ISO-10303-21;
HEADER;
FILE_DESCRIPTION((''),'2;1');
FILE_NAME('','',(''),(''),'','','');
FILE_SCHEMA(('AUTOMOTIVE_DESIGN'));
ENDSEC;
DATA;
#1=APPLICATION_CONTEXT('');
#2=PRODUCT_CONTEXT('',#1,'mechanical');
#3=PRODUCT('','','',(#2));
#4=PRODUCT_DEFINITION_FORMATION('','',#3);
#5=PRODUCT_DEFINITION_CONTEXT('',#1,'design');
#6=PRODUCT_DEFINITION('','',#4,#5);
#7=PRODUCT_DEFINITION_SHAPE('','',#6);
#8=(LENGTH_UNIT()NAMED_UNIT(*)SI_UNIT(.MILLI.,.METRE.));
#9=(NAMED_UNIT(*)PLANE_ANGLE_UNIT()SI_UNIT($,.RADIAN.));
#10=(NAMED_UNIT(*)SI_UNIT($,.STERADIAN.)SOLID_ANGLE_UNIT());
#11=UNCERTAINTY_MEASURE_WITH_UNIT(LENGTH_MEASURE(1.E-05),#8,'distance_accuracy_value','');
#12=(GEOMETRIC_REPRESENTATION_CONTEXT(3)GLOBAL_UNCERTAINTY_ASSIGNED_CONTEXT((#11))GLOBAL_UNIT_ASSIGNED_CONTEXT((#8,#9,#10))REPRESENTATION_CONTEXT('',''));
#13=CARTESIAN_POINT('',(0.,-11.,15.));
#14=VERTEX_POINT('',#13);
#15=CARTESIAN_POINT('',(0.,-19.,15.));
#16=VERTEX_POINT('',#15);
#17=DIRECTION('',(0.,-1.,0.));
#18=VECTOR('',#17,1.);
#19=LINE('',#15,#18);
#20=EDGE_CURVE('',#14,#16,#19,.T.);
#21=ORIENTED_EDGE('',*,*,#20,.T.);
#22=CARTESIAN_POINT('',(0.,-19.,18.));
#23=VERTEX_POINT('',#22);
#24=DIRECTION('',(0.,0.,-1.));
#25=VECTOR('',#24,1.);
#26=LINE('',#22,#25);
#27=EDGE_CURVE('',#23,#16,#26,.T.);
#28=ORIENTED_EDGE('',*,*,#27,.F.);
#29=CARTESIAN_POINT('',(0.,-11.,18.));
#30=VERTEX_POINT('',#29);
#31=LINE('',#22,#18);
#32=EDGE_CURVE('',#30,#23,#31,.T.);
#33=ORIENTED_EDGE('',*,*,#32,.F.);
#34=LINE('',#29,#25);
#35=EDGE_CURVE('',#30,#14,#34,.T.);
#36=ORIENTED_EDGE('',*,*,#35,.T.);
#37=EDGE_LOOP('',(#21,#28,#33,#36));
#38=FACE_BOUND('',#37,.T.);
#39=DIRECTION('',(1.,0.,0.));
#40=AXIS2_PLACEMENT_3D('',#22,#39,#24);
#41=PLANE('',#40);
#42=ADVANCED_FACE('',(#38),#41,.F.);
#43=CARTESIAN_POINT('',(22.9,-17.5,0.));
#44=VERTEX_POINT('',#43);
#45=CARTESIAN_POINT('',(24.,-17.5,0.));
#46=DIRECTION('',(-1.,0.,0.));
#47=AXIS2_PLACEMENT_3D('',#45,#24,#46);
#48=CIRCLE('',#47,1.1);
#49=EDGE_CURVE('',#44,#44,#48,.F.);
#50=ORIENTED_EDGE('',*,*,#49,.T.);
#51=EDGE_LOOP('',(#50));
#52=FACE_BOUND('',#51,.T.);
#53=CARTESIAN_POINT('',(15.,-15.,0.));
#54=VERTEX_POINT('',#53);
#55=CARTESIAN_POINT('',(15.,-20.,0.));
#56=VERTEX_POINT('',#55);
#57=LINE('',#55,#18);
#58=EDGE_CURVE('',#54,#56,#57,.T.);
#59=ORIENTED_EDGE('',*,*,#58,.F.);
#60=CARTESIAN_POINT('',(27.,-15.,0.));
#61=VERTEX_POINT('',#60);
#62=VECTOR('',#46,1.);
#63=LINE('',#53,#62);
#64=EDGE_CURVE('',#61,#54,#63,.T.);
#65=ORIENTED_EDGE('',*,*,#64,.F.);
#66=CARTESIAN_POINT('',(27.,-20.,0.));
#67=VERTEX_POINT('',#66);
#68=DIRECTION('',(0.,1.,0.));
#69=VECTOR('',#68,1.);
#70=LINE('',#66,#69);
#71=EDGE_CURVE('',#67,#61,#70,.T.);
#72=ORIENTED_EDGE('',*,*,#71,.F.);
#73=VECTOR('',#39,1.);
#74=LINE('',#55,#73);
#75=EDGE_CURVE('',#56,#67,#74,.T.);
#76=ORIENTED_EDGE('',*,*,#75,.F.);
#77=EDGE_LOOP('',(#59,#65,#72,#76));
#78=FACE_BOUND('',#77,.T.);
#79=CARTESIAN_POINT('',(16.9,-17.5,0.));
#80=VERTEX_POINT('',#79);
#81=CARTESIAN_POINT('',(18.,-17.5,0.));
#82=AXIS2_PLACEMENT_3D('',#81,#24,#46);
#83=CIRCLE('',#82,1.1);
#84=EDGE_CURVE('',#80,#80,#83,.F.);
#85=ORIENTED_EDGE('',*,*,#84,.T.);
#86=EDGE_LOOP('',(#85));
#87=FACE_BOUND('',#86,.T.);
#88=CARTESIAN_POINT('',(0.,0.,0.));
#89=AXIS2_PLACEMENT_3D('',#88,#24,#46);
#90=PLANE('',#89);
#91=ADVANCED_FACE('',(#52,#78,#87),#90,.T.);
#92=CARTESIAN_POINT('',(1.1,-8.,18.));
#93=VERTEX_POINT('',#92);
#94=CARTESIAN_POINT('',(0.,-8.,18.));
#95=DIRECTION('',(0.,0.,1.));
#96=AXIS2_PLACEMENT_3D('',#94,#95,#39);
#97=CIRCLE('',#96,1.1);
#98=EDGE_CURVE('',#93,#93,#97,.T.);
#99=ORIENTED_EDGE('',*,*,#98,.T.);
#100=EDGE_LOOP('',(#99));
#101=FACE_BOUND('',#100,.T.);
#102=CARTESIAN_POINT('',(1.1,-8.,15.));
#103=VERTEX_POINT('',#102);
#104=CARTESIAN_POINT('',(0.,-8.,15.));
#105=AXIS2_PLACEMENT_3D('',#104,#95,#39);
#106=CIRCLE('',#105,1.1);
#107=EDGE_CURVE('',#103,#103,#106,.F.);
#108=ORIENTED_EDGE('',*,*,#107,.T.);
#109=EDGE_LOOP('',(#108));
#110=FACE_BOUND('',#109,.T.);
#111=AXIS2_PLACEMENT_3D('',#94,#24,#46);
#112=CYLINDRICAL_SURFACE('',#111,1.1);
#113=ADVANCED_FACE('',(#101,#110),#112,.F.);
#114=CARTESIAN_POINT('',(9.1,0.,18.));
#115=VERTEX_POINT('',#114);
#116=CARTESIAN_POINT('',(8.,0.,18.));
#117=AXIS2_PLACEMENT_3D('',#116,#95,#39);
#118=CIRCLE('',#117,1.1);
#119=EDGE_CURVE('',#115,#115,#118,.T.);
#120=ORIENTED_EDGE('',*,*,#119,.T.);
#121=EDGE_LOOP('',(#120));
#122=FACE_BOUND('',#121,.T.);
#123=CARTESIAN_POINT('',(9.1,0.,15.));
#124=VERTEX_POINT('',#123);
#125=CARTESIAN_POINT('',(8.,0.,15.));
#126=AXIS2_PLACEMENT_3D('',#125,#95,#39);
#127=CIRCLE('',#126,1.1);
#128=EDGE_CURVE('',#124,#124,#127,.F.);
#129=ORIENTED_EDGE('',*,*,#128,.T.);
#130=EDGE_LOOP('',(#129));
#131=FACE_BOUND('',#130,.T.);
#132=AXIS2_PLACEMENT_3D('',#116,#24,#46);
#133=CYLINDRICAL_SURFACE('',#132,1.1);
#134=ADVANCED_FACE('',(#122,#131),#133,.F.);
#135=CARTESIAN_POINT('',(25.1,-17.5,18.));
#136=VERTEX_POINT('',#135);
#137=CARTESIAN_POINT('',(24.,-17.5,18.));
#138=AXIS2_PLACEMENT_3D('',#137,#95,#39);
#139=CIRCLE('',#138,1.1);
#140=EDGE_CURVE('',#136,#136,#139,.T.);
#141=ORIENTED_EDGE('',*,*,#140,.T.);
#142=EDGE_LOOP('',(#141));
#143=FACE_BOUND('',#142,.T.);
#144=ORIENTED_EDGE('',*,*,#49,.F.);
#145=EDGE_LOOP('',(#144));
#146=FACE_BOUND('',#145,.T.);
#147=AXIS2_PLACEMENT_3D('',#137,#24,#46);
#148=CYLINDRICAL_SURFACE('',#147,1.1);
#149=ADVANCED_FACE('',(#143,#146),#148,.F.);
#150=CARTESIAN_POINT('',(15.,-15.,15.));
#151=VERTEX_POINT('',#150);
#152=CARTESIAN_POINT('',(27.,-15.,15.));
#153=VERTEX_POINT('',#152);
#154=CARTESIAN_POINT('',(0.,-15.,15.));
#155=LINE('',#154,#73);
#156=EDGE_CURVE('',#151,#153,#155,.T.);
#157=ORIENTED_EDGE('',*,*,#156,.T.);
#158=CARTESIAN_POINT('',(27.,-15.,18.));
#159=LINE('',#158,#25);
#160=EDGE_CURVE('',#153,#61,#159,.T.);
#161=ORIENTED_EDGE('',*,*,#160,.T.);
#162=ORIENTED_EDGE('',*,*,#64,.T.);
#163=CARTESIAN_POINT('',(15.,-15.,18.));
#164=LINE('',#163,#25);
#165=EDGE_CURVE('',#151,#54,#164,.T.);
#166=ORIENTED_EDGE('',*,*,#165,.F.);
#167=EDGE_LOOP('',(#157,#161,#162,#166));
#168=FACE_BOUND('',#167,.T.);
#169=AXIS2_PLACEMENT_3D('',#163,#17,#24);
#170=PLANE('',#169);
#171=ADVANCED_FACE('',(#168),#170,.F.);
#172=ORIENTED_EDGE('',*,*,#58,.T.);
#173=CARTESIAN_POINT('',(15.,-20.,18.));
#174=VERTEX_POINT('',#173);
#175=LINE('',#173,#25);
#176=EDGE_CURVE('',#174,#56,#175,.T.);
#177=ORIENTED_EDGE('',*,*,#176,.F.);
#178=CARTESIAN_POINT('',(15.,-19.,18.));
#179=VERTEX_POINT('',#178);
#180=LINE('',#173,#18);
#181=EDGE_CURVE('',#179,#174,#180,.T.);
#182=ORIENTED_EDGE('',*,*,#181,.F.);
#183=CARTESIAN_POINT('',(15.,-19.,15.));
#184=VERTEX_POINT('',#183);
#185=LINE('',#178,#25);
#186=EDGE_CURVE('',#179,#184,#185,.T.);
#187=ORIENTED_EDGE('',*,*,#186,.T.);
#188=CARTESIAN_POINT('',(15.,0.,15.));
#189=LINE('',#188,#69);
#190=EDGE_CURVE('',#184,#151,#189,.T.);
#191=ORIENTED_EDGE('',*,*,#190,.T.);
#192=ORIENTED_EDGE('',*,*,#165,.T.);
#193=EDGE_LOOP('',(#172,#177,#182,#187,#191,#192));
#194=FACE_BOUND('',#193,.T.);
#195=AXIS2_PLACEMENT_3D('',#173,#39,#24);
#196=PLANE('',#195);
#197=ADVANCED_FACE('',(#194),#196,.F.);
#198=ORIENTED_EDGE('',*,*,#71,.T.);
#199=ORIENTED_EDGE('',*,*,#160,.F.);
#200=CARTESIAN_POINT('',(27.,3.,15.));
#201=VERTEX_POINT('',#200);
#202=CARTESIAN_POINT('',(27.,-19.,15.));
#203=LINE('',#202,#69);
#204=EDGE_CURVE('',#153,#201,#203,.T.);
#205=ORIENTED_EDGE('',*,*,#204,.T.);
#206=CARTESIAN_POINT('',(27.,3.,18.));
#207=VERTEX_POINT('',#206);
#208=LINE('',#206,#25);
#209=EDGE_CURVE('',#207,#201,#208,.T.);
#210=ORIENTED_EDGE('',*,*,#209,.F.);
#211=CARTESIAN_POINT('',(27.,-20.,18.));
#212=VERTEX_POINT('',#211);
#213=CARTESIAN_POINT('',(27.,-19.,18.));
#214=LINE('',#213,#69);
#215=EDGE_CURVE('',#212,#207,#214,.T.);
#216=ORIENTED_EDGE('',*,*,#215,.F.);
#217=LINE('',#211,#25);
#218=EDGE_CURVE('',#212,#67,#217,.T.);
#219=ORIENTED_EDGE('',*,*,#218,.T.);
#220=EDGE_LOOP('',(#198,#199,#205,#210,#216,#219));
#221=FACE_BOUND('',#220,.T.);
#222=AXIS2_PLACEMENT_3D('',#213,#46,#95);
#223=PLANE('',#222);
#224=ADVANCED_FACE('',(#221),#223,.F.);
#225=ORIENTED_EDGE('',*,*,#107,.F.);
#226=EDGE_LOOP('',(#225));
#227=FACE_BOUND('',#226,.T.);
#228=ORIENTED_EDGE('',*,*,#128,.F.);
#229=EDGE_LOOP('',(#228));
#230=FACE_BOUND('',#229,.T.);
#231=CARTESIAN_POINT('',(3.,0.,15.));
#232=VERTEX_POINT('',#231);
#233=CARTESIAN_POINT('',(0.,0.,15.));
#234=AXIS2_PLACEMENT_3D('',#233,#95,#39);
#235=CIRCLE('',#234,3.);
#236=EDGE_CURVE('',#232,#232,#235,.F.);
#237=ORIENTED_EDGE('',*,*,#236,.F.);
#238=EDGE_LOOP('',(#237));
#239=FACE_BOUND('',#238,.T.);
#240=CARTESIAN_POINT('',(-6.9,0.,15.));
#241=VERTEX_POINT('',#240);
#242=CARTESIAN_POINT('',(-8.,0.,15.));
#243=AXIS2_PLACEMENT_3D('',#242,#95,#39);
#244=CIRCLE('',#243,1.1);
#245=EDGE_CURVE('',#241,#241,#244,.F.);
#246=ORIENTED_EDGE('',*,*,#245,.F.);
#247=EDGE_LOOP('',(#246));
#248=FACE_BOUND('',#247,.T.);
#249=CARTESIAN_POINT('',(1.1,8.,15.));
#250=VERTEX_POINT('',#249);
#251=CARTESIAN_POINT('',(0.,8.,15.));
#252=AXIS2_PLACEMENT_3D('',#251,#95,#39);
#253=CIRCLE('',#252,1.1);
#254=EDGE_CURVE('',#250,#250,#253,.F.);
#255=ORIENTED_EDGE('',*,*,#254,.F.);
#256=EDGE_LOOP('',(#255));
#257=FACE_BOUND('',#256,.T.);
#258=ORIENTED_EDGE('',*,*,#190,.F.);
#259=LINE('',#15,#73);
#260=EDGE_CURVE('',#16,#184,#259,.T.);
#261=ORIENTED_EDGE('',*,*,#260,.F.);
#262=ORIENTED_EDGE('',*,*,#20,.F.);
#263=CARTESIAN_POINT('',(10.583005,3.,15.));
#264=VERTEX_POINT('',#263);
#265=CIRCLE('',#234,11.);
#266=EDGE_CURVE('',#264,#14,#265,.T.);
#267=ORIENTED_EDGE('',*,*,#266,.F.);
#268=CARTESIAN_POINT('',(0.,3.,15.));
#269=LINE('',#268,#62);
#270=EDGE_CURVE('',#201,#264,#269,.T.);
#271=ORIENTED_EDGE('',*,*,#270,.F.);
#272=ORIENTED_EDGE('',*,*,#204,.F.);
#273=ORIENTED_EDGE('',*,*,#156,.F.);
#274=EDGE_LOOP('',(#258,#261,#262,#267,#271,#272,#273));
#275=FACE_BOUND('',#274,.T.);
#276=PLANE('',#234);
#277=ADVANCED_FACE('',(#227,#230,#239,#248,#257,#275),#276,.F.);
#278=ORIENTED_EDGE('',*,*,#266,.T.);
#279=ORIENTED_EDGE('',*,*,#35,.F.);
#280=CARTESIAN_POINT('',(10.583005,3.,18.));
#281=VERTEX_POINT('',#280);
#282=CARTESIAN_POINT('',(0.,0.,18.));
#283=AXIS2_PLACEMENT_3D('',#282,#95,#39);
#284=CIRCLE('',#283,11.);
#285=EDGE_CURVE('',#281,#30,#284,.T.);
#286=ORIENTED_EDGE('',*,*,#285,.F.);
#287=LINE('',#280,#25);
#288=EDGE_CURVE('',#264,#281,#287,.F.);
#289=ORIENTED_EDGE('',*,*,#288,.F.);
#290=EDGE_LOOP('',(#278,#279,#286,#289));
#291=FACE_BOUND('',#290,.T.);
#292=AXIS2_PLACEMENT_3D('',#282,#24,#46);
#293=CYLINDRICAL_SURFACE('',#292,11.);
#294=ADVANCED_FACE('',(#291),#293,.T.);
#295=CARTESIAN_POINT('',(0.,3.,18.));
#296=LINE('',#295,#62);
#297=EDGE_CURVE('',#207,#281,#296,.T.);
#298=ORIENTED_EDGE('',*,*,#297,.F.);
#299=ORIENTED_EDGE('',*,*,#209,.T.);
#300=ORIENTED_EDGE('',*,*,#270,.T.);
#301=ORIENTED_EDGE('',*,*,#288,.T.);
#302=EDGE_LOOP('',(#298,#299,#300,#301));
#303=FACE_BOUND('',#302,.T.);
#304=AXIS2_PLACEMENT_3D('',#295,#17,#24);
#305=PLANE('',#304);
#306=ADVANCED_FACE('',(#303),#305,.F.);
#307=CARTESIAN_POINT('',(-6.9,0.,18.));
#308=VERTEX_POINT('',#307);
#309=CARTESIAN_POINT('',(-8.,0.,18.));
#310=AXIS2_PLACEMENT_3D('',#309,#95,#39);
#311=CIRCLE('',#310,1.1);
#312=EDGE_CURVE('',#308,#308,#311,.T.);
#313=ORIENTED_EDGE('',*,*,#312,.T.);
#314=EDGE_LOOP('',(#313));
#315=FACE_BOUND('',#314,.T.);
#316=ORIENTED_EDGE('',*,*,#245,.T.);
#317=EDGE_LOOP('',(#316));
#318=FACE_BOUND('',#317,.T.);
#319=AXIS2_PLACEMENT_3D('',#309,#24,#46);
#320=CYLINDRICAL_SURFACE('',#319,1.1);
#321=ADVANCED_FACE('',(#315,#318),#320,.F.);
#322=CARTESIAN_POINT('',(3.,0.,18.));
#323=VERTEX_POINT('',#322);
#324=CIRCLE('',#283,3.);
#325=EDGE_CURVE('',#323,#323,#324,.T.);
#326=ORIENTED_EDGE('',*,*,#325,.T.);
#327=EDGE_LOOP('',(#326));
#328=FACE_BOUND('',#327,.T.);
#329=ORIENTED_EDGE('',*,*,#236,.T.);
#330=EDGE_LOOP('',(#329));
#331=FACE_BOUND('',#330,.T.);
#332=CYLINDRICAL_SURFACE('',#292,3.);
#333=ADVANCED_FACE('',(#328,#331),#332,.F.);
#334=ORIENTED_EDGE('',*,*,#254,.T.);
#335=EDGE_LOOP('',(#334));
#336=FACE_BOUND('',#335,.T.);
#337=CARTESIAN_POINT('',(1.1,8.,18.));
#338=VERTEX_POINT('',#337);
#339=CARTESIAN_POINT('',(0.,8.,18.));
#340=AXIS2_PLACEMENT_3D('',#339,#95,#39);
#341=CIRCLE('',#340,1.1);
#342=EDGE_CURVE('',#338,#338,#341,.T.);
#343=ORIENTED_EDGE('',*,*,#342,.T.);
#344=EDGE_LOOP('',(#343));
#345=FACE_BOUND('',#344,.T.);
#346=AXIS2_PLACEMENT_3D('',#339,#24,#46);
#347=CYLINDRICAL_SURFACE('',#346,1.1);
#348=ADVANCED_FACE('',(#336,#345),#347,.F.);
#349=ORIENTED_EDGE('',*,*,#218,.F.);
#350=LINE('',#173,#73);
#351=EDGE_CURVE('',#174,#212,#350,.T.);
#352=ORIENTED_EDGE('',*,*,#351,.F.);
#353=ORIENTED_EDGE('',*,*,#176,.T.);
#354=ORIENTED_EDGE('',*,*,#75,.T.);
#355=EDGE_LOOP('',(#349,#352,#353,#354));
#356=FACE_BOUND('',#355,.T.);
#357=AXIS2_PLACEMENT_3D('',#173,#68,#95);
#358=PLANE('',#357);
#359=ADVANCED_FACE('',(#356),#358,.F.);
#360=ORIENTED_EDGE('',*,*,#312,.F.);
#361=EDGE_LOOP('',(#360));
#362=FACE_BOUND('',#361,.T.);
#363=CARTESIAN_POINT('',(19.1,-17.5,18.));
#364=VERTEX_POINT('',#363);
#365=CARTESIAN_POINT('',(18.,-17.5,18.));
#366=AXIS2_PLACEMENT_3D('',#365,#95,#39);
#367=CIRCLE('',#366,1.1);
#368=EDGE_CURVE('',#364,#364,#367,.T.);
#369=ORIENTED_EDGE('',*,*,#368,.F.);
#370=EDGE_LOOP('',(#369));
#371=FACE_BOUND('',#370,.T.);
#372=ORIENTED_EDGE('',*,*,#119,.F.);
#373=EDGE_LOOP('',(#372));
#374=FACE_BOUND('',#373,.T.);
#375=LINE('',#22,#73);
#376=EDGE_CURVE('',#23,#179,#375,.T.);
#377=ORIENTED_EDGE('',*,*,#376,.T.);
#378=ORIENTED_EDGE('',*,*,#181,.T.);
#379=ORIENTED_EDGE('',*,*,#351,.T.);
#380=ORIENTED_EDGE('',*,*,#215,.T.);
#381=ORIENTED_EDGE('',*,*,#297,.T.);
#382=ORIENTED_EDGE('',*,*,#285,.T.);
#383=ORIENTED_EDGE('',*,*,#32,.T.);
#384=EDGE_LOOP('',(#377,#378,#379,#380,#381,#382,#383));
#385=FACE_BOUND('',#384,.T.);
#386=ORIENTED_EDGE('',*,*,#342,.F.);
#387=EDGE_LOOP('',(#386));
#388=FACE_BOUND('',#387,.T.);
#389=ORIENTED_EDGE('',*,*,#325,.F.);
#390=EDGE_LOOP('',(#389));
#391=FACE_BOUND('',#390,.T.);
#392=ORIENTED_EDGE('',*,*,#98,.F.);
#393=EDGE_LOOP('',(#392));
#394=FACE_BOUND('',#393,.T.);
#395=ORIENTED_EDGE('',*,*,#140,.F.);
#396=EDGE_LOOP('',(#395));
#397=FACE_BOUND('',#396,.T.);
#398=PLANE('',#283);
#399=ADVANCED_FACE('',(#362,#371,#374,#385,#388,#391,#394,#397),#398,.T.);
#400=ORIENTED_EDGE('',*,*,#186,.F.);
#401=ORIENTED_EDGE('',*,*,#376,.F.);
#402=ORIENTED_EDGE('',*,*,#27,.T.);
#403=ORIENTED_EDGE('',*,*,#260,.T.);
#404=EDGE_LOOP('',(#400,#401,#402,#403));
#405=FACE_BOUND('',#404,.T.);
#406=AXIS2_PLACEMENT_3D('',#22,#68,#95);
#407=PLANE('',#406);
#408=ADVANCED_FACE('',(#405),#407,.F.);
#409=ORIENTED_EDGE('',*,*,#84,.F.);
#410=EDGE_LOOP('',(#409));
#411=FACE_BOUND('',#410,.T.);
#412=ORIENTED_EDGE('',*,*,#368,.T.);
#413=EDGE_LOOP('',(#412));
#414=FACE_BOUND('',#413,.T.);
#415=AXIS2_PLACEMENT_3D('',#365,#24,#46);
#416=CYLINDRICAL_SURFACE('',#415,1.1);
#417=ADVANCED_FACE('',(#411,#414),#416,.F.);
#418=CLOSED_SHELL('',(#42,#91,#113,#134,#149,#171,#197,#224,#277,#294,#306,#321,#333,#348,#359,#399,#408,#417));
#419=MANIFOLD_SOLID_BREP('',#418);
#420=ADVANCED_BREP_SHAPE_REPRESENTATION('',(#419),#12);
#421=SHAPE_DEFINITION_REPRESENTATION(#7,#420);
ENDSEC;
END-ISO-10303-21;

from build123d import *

# Parameters (mm, degrees)
STOCK_HORN_ATTACHMENT_START         = 15
STOCK_HORN_ATTACHMENT_PROFILE_R     = 11
STOCK_HORN_ATTACHMENT_DEPTH         = 3
FINGER_ARM_START                    = 15
FINGER_ARM_PROFILE_W                = 27
FINGER_ARM_PROFILE_H                = 22
FINGER_ARM_DEPTH                    = 3
DESCENDING_CONTACT_FINGER_PROFILE_W = 12
DESCENDING_CONTACT_FINGER_PROFILE_H = 5
DESCENDING_CONTACT_FINGER_DEPTH     = 18
HORN_CENTER_ACCESS_START            = -50
HORN_CENTER_ACCESS_PROFILE_R        = 3
HORN_CENTER_ACCESS_DEPTH            = 89.118237105
HORN_SCREWS_START                   = -50
HORN_SCREWS_PROFILE_R               = 1.1
HORN_SCREWS_DEPTH                   = 89.118237105
CONTACT_PAD_KEEPER_START            = -50
CONTACT_PAD_KEEPER_PROFILE_R        = 1.1
CONTACT_PAD_KEEPER_DEPTH            = 89.118237105


with BuildPart() as part:
    # Stock_horn_attachment_profile → Stock_horn_attachment (new body)
    with BuildSketch(Plane.XY.offset(STOCK_HORN_ATTACHMENT_START)):
        Circle(STOCK_HORN_ATTACHMENT_PROFILE_R)
    extrude(amount=STOCK_HORN_ATTACHMENT_DEPTH)

    # Finger_arm_profile → Finger_arm (add)
    with BuildSketch(Plane.XY.offset(FINGER_ARM_START)):
        with Locations((13.5, -8)):
            Rectangle(FINGER_ARM_PROFILE_W, FINGER_ARM_PROFILE_H)
    extrude(amount=FINGER_ARM_DEPTH)

    # Descending_contact_finger_profile → Descending_contact_finger (add)
    with BuildSketch(Plane.XY):
        with Locations((21, -17.5)):
            Rectangle(DESCENDING_CONTACT_FINGER_PROFILE_W, DESCENDING_CONTACT_FINGER_PROFILE_H)
    extrude(amount=DESCENDING_CONTACT_FINGER_DEPTH)

    # Horn_center_access_profile → Horn_center_access (cut, through all)
    with BuildSketch(Plane.XY.offset(HORN_CENTER_ACCESS_START)):
        Circle(HORN_CENTER_ACCESS_PROFILE_R)
    extrude(amount=HORN_CENTER_ACCESS_DEPTH, mode=Mode.SUBTRACT)

    # Horn_screws_profile → Horn_screws (cut, through all)
    with BuildSketch(Plane.XY.offset(HORN_SCREWS_START)):
        with Locations((0, -8)):
            Circle(HORN_SCREWS_PROFILE_R)
        with Locations((0, 8)):
            Circle(HORN_SCREWS_PROFILE_R)
        with Locations((-8, 0)):
            Circle(HORN_SCREWS_PROFILE_R)
        with Locations((8, 0)):
            Circle(HORN_SCREWS_PROFILE_R)
    extrude(amount=HORN_SCREWS_DEPTH, mode=Mode.SUBTRACT)

    # Contact_pad_keeper_profile → Contact_pad_keeper (cut, through all)
    with BuildSketch(Plane.XY.offset(CONTACT_PAD_KEEPER_START)):
        with Locations(Location((18, -17.5, 0), (0, 0, 180))):
            Circle(CONTACT_PAD_KEEPER_PROFILE_R)
        with Locations(Location((24, -17.5, 0), (0, 0, 180))):
            Circle(CONTACT_PAD_KEEPER_PROFILE_R)
    extrude(amount=CONTACT_PAD_KEEPER_DEPTH, mode=Mode.SUBTRACT)


solid = part.part
